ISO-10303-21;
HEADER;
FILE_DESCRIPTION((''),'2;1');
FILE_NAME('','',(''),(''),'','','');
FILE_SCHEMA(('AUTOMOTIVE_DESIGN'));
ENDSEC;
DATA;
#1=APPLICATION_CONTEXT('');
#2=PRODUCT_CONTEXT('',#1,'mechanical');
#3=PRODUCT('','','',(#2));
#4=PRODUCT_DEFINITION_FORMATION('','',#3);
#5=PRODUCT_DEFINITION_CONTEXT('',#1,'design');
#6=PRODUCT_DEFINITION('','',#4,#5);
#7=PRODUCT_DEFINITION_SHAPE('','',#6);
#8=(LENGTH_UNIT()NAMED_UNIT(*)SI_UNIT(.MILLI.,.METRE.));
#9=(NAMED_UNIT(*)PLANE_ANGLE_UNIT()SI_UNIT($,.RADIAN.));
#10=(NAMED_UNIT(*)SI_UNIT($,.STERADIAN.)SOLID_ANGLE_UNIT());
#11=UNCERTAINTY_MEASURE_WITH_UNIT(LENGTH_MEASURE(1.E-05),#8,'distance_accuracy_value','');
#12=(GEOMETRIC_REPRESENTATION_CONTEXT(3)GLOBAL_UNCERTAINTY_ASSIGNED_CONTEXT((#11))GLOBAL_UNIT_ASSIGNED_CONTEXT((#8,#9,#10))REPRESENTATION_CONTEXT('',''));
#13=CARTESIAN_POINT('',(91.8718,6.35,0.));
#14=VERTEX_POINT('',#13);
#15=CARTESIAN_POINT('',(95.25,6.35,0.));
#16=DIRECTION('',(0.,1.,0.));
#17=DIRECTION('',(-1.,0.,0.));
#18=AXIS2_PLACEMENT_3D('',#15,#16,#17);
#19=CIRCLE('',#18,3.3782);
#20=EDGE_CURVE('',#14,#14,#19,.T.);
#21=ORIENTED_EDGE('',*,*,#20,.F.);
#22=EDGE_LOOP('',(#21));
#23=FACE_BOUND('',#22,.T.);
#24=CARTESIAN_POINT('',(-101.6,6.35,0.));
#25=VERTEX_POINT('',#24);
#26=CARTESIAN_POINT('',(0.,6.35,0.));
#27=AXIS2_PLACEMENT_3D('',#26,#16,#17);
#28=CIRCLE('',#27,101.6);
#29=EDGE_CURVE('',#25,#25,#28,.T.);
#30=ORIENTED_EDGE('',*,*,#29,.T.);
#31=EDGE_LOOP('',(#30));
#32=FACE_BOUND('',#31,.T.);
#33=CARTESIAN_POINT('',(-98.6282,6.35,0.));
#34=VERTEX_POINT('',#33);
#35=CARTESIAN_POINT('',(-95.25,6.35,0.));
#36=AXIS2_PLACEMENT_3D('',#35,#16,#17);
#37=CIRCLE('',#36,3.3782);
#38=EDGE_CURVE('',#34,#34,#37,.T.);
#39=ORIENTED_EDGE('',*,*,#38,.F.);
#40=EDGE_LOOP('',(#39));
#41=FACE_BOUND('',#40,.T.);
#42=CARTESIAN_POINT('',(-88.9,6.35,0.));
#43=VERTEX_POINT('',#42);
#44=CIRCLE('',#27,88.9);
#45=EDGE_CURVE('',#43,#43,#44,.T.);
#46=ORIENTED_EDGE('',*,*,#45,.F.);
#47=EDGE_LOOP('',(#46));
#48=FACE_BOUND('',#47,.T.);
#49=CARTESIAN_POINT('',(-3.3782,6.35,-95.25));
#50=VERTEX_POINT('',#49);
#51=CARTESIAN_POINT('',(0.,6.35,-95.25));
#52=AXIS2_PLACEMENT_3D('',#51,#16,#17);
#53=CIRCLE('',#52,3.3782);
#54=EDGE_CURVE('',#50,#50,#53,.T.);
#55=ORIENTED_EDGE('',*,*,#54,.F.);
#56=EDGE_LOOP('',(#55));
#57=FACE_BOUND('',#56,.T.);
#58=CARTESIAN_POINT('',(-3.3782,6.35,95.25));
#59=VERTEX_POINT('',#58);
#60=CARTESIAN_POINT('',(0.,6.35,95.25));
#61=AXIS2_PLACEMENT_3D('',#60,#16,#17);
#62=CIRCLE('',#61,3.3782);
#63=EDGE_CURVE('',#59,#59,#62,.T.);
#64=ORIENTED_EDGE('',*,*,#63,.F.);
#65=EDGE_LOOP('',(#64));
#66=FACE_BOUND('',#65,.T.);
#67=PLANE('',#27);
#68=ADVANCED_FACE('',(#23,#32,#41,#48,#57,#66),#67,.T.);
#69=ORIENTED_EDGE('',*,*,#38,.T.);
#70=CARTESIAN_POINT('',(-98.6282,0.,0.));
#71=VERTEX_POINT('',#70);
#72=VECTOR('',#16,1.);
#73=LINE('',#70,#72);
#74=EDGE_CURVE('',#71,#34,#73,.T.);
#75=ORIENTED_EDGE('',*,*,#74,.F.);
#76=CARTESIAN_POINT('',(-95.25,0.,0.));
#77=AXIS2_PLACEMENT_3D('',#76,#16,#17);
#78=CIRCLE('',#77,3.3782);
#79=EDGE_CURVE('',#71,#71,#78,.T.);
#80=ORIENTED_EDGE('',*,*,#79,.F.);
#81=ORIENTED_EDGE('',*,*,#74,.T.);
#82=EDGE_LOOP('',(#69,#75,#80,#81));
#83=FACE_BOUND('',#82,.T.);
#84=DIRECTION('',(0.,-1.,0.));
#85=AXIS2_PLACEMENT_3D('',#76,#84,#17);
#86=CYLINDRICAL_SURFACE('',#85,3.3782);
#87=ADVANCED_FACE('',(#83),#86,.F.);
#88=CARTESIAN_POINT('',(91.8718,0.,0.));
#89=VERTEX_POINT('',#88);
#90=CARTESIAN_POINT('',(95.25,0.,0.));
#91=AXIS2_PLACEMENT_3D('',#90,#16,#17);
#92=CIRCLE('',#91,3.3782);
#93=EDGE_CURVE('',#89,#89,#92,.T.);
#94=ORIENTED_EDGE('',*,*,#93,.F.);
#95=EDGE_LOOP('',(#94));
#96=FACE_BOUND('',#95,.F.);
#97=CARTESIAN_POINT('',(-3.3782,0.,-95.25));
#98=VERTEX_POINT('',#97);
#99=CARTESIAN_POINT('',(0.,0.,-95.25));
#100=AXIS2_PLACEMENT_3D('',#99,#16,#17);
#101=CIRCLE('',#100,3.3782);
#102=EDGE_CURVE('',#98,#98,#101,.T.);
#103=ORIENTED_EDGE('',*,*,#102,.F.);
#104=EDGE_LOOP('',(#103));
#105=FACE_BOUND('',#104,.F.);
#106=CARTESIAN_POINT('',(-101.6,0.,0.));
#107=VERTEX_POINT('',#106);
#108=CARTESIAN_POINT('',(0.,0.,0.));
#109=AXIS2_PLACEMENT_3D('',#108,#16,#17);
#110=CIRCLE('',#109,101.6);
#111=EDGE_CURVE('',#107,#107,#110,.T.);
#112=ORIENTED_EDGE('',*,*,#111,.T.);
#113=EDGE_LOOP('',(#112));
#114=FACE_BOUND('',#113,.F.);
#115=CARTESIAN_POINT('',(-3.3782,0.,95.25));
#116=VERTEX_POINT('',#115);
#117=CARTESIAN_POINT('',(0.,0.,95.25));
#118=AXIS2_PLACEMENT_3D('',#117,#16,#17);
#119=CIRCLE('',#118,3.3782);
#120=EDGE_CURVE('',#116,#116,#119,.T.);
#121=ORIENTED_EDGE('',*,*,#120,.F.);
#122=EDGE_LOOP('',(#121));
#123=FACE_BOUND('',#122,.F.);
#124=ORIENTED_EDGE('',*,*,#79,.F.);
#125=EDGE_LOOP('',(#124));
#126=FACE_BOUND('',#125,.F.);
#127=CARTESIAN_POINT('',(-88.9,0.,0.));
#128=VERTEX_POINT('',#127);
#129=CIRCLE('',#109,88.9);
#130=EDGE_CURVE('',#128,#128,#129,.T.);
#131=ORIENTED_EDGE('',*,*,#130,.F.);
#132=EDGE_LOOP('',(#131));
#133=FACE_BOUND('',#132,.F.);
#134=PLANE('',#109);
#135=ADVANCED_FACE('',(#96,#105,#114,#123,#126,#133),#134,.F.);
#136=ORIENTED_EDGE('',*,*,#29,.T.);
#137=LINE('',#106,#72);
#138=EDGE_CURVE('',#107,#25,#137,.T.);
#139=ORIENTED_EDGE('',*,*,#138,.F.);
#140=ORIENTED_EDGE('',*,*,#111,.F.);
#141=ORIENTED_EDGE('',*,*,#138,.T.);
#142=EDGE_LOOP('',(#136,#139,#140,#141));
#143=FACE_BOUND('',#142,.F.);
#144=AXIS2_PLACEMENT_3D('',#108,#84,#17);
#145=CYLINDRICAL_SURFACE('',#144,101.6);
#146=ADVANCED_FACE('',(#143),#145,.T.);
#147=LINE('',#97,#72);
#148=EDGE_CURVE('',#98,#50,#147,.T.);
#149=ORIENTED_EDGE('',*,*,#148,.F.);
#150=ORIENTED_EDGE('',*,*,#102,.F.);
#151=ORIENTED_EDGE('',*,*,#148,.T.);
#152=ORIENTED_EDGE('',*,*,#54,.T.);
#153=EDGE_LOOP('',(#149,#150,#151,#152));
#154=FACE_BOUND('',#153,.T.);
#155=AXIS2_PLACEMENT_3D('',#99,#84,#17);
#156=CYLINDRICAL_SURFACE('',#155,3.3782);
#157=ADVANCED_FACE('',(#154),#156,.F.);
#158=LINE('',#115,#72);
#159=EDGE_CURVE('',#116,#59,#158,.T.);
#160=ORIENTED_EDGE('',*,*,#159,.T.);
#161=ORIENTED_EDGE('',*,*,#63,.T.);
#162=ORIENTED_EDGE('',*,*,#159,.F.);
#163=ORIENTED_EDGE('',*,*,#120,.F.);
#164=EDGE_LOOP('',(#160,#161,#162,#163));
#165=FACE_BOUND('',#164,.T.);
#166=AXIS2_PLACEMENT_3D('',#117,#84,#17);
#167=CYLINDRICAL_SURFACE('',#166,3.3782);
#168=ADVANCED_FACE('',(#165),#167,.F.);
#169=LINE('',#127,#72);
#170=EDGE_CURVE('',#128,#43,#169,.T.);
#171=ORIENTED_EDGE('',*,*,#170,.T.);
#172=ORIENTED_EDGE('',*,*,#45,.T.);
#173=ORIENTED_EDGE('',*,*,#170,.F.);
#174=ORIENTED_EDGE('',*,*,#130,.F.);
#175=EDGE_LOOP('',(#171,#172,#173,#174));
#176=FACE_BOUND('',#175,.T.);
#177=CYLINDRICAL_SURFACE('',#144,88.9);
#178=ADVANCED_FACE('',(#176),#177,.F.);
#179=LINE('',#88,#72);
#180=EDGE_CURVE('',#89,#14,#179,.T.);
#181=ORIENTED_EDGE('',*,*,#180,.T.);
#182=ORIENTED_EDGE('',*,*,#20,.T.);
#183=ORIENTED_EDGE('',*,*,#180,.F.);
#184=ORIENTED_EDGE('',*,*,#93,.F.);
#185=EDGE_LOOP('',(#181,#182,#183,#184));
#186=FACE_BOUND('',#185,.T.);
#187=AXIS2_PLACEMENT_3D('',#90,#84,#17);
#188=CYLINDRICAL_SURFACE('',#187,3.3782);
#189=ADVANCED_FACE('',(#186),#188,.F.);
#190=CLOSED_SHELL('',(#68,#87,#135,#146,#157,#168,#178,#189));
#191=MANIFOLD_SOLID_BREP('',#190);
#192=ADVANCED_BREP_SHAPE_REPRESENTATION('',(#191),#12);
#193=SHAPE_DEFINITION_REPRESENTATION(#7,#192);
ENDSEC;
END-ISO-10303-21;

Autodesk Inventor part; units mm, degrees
ref_plane "YZ Plane" through (0, 0, 0) normal (1, 0, 0) x (0, 1, 0)
ref_plane "XZ Plane" through (0, 0, 0) normal (0, 1, 0) x (-1, 0, 0)
ref_plane "XY Plane" through (0, 0, 0) normal (0, 0, 1) x (1, 0, 0)
sketch "Sketch1" plane through (0, 0, 0) normal (0, 1, 0) x (-1, 0, 0)
  circle A0 centre (0, 0) radius 88.9
  circle A1 centre (0, 0) radius 101.6
  circle A2 centre (0, 0) radius 95.25 construction
  circle A3 centre (0, 95.25) radius 3.3782
  circle A4 centre (-95.25, 0) radius 3.3782
  circle A5 centre (0, -95.25) radius 3.3782
  circle A6 centre (95.25, 0) radius 3.3782
  dimension "d2" = 190.5
  dimension "d0" = 177.8
  dimension "d1" = 203.2
  dimension "d3" = 6.7564
  dimension "d6" = 360
extrude "Extrusion1" add sketch "Sketch1" along normal blind 6.35
properties part number "Flywheel Spacer" material "Aluminum 6061"
